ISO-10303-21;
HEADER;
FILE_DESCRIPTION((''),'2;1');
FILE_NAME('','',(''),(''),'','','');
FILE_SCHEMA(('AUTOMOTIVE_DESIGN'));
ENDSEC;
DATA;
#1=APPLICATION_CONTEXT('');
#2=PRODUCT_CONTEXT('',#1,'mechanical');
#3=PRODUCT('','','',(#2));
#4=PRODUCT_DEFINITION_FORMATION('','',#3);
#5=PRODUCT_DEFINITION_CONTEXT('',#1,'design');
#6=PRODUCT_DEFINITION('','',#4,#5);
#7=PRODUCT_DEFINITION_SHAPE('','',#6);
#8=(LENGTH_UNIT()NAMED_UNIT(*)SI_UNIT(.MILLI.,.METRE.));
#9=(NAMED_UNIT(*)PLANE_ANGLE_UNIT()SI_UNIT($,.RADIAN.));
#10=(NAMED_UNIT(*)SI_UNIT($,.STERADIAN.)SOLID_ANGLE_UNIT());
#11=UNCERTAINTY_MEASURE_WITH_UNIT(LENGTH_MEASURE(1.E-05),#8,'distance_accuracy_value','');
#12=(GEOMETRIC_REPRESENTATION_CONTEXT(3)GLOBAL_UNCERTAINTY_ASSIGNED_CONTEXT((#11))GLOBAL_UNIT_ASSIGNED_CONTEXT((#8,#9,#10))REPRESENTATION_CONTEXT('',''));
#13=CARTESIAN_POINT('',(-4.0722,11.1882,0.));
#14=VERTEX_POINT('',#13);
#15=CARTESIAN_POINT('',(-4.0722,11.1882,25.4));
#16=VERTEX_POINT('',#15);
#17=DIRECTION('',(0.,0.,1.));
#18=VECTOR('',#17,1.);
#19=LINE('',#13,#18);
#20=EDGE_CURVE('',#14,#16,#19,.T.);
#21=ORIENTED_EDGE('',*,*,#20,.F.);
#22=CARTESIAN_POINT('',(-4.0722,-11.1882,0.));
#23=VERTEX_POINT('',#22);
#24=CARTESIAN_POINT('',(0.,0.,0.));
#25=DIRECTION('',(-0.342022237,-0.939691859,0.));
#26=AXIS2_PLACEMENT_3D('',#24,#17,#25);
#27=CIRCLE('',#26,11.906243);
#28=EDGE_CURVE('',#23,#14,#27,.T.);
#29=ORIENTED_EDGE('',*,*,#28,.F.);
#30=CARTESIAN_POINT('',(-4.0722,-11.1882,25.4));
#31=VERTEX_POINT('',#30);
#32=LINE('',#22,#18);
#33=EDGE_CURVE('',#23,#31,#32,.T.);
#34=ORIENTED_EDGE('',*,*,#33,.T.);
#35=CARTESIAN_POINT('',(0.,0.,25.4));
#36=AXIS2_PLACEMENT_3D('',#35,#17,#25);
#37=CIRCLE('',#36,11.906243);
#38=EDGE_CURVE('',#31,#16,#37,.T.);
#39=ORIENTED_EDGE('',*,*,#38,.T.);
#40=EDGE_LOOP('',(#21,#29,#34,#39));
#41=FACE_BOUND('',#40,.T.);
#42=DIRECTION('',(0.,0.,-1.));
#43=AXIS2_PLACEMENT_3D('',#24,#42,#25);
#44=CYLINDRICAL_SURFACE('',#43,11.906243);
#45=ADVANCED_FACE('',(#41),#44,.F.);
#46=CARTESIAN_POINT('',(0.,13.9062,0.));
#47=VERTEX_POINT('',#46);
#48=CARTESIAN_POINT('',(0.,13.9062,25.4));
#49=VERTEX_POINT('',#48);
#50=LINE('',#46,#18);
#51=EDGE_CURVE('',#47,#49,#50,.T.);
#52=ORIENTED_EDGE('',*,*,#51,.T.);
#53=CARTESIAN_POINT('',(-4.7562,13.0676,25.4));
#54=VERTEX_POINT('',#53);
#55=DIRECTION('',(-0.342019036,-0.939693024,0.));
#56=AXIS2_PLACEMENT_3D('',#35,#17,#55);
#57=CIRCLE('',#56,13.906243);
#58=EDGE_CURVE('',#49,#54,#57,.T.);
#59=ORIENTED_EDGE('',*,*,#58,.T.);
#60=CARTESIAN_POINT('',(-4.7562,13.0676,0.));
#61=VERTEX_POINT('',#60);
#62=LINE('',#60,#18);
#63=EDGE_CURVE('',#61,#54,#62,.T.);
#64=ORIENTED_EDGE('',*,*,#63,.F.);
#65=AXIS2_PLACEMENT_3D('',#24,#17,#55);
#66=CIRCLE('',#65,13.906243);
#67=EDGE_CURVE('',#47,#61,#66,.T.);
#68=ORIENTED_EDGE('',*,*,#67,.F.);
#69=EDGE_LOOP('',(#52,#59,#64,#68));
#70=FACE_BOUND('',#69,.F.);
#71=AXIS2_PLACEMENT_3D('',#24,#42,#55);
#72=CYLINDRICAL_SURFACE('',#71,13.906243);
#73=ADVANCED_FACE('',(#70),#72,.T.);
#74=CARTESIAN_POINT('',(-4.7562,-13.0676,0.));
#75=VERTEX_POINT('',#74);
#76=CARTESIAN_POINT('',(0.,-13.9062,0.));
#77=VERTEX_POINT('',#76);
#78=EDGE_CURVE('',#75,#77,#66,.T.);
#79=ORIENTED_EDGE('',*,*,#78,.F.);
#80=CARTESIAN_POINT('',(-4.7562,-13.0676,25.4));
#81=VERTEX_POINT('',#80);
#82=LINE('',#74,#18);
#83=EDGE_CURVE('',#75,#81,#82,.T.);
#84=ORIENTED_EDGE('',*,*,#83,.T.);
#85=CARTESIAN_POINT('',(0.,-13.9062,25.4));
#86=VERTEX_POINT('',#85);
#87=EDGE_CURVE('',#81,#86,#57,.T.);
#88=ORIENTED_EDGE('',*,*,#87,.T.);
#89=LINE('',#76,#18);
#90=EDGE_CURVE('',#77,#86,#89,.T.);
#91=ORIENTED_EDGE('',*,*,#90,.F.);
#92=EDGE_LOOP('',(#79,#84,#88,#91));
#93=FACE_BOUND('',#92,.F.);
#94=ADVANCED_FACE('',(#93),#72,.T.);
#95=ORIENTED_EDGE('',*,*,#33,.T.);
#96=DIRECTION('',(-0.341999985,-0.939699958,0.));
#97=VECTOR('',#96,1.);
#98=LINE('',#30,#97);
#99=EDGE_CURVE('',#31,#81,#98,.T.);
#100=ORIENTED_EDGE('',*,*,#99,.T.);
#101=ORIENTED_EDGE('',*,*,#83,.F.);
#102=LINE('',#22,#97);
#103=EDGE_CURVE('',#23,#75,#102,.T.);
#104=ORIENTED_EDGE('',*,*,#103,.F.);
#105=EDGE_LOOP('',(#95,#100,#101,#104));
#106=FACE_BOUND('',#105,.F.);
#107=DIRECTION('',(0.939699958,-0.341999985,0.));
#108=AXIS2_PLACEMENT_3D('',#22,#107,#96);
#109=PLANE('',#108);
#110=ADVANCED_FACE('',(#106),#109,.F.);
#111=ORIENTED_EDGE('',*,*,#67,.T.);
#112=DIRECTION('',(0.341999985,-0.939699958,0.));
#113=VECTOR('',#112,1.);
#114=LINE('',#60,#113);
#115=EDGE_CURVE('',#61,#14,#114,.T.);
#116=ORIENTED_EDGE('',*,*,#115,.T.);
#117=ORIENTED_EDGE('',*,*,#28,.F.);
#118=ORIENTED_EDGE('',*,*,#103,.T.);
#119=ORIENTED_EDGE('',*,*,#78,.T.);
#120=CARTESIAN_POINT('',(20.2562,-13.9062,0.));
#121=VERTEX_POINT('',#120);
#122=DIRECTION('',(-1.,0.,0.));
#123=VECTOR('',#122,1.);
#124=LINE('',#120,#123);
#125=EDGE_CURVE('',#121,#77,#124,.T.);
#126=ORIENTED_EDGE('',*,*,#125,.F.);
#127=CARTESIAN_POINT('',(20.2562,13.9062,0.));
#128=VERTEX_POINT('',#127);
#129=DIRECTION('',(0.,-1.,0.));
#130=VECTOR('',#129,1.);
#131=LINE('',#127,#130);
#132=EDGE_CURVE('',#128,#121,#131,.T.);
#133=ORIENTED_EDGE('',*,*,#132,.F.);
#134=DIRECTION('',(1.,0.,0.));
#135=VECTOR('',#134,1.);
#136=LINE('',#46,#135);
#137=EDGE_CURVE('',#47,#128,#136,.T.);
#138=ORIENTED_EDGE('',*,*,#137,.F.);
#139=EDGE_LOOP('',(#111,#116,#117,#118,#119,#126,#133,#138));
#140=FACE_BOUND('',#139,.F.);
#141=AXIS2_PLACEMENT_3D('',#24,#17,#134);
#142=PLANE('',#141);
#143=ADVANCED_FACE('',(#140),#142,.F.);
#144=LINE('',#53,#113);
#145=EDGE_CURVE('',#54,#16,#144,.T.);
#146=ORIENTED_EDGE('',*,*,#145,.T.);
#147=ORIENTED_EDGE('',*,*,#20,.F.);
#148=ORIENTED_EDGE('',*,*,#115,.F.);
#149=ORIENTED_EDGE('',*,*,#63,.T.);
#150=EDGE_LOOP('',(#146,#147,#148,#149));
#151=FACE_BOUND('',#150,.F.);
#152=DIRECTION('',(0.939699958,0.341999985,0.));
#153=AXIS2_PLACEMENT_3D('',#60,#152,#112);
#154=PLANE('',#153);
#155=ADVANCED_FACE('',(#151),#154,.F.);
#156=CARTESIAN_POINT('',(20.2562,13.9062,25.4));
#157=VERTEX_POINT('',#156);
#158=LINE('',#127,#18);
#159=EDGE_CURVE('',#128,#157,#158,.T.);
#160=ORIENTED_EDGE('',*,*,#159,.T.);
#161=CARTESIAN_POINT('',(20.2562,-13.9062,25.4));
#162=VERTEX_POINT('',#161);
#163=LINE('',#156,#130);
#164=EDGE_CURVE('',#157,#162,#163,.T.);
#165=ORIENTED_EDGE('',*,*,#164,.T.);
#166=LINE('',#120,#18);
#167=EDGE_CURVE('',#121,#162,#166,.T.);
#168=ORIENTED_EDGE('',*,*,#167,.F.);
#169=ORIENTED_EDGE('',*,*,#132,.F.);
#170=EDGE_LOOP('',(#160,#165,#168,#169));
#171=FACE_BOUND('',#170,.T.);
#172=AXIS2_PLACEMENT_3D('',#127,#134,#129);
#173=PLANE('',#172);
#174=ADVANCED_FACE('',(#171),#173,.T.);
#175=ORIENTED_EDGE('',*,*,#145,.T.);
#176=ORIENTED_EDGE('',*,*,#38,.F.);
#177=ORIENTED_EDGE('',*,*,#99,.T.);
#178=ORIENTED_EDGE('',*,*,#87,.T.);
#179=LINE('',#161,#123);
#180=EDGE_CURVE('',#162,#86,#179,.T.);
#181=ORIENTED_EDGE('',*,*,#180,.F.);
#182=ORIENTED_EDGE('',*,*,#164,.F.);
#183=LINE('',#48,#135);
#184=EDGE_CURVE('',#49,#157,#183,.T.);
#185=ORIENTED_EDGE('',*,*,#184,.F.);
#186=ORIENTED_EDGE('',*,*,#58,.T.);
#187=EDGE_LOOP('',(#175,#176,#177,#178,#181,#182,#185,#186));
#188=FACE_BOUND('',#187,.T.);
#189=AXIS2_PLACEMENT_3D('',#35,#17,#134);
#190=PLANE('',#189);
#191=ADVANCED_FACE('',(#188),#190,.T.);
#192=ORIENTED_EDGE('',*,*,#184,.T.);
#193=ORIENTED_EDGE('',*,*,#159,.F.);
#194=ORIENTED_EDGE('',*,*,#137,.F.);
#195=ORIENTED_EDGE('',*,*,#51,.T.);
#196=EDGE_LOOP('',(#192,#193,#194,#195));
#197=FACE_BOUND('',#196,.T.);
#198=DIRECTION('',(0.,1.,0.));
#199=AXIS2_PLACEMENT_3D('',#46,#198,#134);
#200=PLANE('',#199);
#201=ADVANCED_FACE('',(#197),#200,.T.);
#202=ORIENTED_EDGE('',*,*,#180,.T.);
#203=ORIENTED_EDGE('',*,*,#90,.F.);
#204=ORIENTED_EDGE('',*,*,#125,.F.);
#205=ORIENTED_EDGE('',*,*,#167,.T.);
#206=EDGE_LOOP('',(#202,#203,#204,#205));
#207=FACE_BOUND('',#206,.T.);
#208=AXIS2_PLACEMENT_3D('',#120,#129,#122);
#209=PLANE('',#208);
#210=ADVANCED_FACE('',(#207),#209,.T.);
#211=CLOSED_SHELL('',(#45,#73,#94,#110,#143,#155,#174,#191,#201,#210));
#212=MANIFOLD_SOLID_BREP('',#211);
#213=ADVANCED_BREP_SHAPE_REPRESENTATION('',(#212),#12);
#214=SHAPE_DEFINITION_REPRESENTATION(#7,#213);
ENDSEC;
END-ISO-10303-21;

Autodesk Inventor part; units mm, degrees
ref_plane "YZ Plane" through (0, 0, 0) normal (1, 0, 0) x (0, 1, 0)
ref_plane "XZ Plane" through (0, 0, 0) normal (0, 1, 0) x (-1, 0, 0)
sketch "Sketch1" plane through (0, 0, 0) normal (0, 0, 1) x (1, 0, 0)
  line L0 (-4.0722, -11.1882) -> (-4.7562, -13.0676)
  arc A0 (-4.7562, -13.0676) -> (-4.7562, 13.0676) centre (0, 0) ccw
  line L1 (-4.7562, 13.0676) -> (-4.0722, 11.1882)
  arc A1 (-4.0722, -11.1882) -> (-4.0722, 11.1882) centre (0, 0) ccw
  line L2 (0, 13.9062) -> (20.2562, 13.9062)
  line L3 (20.2562, 13.9062) -> (20.2562, -13.9062)
  line L4 (20.2562, -13.9062) -> (0, -13.9062)
  line L5 (13.9062, 13.9062) -> (13.9063, -13.9062) construction
  line L6 (17.0812, 13.9062) -> (17.0813, -13.9062) construction
  dimension "d0" = 11.9062
  dimension "d1" = 2
  dimension "d2" = 140
  dimension "d3" = 6.35
  dimension "d4" = 3.175
extrude "Extrusion1" add sketch "Sketch1" along normal blind 25.4
ref_plane "mirror-plane" through (17.0812, 13.9062, 0) normal (1, 0, 0) x (0, 0, -1)
equation "\"d1\" = wall"
equation "\"d2\" = angle"
equation "\"d4\" = 0.5 * d3"
equation "\"angle\" = 140deg"
equation "\"wall\" = 2"
properties part number "hook-thingy-base-01"
